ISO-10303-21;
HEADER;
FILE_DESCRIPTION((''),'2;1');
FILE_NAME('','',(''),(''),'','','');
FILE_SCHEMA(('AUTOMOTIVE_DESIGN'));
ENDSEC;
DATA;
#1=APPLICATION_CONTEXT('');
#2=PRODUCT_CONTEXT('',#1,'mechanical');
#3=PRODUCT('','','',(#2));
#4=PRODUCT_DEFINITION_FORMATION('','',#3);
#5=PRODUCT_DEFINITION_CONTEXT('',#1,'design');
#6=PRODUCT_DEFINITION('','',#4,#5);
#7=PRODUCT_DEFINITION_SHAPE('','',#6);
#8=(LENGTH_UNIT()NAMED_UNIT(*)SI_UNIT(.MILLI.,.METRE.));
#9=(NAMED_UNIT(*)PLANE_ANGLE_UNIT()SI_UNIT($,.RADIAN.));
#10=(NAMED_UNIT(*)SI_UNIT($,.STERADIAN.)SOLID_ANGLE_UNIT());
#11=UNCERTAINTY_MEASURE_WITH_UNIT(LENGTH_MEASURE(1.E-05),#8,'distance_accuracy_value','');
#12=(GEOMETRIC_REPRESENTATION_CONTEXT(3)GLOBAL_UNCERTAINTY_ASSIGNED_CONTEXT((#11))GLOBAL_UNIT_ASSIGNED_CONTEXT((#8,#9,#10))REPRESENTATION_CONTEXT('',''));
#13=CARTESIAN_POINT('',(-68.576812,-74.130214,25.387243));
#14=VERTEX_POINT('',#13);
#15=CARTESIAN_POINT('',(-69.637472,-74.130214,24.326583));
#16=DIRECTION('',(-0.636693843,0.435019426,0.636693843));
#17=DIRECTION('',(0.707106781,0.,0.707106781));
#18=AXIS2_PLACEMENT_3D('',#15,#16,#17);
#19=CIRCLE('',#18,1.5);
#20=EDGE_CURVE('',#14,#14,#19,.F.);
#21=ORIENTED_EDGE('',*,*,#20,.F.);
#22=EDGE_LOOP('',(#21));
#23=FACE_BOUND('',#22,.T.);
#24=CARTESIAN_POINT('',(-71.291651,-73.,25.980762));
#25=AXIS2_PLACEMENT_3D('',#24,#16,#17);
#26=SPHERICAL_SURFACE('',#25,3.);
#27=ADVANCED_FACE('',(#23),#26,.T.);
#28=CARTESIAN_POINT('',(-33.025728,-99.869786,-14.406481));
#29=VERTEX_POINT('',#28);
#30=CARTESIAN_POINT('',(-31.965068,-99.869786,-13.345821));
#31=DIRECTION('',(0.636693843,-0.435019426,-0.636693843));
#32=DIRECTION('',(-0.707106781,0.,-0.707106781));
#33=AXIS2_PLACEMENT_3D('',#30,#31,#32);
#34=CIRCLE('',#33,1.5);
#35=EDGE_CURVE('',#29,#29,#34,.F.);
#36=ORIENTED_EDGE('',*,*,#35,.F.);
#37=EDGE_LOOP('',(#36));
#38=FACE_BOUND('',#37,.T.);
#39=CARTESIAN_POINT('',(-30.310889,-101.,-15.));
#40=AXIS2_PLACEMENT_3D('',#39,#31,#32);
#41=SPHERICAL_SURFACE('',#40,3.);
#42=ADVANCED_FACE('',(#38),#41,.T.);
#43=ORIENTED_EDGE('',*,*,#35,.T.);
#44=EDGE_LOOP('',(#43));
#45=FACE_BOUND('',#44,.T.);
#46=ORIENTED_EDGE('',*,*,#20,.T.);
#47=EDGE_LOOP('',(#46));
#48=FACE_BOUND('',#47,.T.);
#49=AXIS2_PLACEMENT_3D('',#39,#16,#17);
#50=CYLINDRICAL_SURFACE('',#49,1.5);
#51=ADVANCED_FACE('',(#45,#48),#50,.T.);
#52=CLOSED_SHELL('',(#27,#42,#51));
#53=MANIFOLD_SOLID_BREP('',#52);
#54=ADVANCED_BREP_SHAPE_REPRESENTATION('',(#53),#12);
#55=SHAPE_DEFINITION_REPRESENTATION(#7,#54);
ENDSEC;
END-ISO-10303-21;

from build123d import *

# Parameters (mm, degrees)
STRAIGHT_STRUT_CORE_SKETCH_R = 1.5
STRAIGHT_STRUT_CORE_DEPTH    = 64.364941753


with BuildPart() as part:
    # Straight strut core sketch → Straight strut core (new body)
    with BuildSketch(Plane(origin=(-19.213082616, 13.127289135, 19.213082616), x_dir=(-0.7711166905176088, -0.35918583184116987, -0.5257038974648537), z_dir=(0.6366938429144502, -0.43501942576095104, -0.6366938429146632))):
        with Locations(Location((67.536559993, -74.931313845, 0), (0, 0, 23.509976133))):
            Circle(STRAIGHT_STRUT_CORE_SKETCH_R)
    extrude(amount=STRAIGHT_STRUT_CORE_DEPTH)

    # Ball end1 profile → Ball end1 (revolve)
    with BuildSketch(Plane(origin=(0, -73, 0), x_dir=(-1, 0, 0), z_dir=(0, -1, 0))):
        with BuildLine():
            Line((71.291651246, -28.980762114), (71.291651246, -22.980762114))
            ThreePointArc((71.291651246, -22.980762114), (68.291651246, -25.980762114), (71.291651246, -28.980762114))
        make_face()
    revolve(axis=Axis((-71.291651246, -73, 15.980762114), (0, 0, 1)))

    # Ball end2 profile → Ball end2 (revolve)
    with BuildSketch(Plane(origin=(0, -101, 0), x_dir=(-1, 0, 0), z_dir=(0, -1, 0))):
        with BuildLine():
            Line((30.310889133, 12), (30.310889133, 18))
            ThreePointArc((30.310889133, 18), (27.310889133, 15), (30.310889133, 12))
        make_face()
    revolve(axis=Axis((-30.310889133, -101, -25), (0, 0, 1)))


solid = part.part
